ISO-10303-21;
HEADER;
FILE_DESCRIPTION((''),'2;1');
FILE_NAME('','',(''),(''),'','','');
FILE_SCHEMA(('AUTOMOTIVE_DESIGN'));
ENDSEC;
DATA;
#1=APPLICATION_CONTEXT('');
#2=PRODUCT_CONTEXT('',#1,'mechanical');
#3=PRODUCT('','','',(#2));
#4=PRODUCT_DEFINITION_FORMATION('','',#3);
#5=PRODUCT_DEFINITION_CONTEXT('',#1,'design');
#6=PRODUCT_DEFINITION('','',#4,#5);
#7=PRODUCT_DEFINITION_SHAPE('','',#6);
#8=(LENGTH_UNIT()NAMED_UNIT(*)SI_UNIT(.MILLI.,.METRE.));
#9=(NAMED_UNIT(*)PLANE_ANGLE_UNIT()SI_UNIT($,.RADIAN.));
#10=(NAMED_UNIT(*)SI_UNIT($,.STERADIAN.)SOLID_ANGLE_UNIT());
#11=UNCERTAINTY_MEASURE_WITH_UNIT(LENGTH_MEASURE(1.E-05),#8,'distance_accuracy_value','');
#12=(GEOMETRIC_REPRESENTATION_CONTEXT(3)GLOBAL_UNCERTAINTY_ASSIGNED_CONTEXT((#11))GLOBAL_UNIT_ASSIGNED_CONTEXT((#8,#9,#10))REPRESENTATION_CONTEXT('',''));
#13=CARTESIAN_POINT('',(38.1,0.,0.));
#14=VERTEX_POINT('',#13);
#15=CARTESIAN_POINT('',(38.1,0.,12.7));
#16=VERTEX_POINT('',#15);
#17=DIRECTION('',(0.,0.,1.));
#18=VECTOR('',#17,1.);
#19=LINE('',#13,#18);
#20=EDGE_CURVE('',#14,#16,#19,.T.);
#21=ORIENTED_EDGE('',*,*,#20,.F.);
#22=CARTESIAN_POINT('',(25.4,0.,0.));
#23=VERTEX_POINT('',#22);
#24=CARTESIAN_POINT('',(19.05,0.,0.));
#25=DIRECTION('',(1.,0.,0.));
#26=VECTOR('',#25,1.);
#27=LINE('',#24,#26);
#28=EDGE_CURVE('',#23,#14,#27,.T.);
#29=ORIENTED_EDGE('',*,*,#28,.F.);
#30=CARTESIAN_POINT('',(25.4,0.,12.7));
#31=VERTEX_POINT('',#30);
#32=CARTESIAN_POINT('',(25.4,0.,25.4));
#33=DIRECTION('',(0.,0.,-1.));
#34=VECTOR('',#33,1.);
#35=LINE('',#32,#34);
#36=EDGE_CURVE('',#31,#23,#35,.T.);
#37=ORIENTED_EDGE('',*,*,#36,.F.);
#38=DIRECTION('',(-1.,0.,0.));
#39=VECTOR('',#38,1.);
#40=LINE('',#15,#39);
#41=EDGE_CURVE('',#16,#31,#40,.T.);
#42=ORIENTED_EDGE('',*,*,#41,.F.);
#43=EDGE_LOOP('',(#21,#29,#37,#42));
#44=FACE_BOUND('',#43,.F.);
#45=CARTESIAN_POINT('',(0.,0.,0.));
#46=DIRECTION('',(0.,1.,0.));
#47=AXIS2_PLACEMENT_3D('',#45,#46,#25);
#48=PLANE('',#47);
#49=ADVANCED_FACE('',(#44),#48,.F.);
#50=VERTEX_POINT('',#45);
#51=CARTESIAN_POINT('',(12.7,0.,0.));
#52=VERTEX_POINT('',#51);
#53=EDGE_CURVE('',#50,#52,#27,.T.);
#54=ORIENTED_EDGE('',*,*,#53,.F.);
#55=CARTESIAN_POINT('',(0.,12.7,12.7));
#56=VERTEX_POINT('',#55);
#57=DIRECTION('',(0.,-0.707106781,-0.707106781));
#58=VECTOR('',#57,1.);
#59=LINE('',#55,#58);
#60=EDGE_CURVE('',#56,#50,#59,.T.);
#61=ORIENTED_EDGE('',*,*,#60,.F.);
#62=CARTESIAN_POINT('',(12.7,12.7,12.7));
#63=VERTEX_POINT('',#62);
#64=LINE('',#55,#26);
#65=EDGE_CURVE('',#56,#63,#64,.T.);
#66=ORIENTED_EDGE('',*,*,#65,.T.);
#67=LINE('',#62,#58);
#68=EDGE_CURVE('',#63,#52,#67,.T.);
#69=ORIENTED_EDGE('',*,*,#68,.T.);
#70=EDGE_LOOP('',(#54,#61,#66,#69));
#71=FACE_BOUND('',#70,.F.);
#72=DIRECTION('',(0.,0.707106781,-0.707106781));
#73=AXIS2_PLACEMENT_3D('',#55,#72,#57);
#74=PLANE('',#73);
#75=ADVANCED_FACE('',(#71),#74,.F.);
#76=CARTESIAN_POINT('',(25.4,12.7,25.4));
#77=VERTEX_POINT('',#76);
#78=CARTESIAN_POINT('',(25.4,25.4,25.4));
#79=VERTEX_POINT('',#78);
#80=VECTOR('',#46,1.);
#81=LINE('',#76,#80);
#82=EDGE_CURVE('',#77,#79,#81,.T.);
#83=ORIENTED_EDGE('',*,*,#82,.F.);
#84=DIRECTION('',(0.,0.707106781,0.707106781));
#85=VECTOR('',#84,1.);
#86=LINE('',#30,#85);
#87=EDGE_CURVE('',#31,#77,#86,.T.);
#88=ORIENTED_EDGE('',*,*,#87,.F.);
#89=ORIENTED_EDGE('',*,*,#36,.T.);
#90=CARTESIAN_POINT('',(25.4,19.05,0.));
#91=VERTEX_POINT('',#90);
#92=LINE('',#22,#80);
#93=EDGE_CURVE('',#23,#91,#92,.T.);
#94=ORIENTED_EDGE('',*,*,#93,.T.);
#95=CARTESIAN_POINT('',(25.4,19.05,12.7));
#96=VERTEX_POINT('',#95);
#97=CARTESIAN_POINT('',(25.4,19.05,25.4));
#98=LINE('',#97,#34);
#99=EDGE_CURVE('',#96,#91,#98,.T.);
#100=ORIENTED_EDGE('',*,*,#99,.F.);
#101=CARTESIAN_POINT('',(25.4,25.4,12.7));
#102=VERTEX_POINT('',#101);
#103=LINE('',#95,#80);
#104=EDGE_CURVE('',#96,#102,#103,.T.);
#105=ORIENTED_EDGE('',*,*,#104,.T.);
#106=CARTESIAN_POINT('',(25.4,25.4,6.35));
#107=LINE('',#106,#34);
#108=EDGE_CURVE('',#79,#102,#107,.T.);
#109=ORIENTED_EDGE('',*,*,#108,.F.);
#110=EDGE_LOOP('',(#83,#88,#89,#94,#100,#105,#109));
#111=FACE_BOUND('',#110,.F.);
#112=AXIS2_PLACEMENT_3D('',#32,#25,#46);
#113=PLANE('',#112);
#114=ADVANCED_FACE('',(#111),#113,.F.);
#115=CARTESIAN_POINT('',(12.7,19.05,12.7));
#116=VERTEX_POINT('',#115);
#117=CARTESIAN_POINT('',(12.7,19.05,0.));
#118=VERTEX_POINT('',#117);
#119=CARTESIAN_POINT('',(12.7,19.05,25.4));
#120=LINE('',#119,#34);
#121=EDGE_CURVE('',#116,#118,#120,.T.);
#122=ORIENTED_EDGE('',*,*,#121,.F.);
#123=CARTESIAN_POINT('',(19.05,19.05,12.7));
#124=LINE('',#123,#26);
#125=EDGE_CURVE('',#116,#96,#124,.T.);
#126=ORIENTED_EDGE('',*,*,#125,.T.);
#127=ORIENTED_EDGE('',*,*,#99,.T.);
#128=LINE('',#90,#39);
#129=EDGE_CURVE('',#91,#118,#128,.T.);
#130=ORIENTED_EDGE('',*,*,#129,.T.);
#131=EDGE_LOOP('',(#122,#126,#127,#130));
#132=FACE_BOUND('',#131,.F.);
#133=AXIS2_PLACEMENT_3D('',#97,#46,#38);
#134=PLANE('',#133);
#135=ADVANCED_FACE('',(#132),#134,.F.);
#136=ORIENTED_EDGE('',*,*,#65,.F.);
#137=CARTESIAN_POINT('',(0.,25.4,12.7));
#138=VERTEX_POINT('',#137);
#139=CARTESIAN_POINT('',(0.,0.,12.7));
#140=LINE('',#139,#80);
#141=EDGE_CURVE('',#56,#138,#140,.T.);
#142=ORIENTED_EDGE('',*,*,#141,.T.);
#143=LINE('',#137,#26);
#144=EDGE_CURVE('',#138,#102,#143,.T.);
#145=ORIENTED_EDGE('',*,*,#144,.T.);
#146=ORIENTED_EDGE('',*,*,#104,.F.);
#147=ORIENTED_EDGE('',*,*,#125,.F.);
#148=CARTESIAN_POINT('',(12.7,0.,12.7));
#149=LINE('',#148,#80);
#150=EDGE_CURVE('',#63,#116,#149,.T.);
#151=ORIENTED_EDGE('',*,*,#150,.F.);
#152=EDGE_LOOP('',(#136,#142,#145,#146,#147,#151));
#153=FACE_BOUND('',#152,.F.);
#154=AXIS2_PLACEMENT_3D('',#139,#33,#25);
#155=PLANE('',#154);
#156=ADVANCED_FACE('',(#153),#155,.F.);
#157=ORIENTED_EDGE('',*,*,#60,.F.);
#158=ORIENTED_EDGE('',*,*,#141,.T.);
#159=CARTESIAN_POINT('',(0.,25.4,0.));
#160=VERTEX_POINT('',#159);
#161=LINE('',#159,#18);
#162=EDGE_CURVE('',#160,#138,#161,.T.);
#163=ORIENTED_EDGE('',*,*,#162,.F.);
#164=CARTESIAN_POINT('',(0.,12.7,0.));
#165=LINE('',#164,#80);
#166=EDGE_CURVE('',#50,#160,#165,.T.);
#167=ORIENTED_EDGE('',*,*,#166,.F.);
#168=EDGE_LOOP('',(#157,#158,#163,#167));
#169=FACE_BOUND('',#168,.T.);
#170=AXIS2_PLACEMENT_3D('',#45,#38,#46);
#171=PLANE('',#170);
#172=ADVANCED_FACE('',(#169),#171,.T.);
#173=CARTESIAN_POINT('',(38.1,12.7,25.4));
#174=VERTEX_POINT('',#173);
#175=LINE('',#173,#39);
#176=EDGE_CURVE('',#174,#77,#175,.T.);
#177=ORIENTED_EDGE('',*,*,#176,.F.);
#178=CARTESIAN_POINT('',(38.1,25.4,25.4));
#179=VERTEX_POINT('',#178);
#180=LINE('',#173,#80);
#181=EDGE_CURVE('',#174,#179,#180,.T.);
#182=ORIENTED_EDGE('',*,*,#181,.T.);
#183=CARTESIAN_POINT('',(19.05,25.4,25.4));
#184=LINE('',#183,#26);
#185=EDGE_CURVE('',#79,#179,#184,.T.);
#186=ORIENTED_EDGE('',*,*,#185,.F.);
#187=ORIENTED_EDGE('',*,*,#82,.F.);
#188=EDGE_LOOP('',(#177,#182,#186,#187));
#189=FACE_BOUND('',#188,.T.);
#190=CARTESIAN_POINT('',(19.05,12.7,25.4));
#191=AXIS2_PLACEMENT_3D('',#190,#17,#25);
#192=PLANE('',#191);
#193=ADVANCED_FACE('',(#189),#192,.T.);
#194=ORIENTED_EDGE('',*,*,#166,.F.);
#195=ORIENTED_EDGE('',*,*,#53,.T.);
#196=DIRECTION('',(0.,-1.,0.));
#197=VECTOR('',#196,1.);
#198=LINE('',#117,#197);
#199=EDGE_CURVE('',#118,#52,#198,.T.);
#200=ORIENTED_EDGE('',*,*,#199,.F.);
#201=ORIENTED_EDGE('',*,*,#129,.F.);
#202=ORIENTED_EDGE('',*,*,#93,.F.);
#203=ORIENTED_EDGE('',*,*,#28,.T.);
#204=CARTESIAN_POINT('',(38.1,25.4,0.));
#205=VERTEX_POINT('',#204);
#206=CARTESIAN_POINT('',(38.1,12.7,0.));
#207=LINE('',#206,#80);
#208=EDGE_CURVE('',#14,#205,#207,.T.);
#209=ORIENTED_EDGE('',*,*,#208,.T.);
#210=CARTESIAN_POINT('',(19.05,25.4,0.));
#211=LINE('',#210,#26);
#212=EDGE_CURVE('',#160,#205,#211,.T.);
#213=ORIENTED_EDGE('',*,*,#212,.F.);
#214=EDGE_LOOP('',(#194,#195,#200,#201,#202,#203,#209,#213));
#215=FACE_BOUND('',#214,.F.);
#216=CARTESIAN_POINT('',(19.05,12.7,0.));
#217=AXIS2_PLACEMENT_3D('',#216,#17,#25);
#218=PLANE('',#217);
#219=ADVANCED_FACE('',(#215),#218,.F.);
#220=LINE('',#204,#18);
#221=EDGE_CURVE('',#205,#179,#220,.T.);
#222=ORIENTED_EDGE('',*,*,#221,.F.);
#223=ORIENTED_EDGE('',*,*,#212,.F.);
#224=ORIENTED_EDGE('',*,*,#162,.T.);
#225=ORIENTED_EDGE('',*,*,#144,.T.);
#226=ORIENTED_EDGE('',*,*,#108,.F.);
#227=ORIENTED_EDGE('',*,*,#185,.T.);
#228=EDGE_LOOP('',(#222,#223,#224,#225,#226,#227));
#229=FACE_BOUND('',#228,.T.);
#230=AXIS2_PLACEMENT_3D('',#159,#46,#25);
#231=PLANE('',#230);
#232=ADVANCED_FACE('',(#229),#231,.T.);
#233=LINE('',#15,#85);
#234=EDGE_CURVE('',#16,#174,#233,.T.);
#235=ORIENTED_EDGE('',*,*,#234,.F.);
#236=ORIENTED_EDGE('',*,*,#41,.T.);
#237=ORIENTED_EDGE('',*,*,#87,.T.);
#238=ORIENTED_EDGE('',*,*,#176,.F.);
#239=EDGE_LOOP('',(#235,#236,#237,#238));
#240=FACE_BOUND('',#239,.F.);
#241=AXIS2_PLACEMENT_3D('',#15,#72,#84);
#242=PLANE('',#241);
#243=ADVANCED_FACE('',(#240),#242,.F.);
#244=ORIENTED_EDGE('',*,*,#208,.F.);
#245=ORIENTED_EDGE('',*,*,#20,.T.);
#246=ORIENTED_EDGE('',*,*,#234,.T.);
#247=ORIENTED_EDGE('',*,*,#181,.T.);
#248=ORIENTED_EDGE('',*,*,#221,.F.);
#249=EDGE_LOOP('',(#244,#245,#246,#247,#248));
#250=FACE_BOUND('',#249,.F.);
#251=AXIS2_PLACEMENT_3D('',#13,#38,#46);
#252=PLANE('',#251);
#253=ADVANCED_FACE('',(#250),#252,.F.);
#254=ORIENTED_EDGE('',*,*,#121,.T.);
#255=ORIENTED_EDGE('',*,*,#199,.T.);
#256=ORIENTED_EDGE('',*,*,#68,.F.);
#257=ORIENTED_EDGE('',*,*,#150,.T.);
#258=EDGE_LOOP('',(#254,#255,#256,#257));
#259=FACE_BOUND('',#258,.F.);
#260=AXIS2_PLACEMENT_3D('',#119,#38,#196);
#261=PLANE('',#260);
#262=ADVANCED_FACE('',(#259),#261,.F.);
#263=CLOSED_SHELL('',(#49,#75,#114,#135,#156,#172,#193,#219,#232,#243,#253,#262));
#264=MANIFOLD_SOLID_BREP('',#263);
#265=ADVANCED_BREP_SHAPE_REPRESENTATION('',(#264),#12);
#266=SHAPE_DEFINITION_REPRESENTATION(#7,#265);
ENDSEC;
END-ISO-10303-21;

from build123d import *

# Parameters (mm, degrees)
F0_W      = 38.1
F0_H      = 25.4
F1_DEPTH  = 25.4
F3_DEPTH  = 12.7
F5_DEPTH  = 25.4
F6_W      = 12.7
F6_H      = 12.7
F7_DEPTH  = 25.4
F8_W      = 12.7
F8_H      = 12.7
F9_DEPTH  = 12.7
F11_DEPTH = 12.7


with BuildPart() as f1:
    # F0 (on Top) → F1 (new body)
    with BuildSketch(Plane.XY):
        with Locations((19.05, 12.7)):
            Rectangle(F0_W, F0_H)
    extrude(amount=F1_DEPTH)

    # F2 (on face) → F3 (cut)
    with BuildSketch(Plane.YZ.offset(38.1)):
        Polygon((12.7, 25.4), (0, 25.4), (0, 12.7), align=None)
    extrude(amount=-F3_DEPTH, mode=Mode.SUBTRACT)

    # F4 (on face) → F5 (cut)
    with BuildSketch(Plane.XY.offset(25.4)):
        Polygon((12.7, 0), (25.4, 0), (25.4, 12.7), (25.4, 19.05), (12.7, 19.05), align=None)
    extrude(amount=-F5_DEPTH, mode=Mode.SUBTRACT)

    # F6 (on face) → F7 (cut)
    with BuildSketch(Plane.XZ):
        with Locations((6.35, 19.05)):
            Rectangle(F6_W, F6_H)
    extrude(amount=-F7_DEPTH, mode=Mode.SUBTRACT)

    # F8 (on face) → F9 (cut)
    with BuildSketch(Plane.XZ.offset(-19.05)):
        with Locations((19.05, 19.05)):
            Rectangle(F8_W, F8_H)
    extrude(amount=-F9_DEPTH, mode=Mode.SUBTRACT)

    # F10 (on face) → F11 (cut)
    with BuildSketch(Plane(origin=(0, 0, 0), x_dir=(0, -1, 0), z_dir=(-1, 0, 0))):
        Polygon((0, 0), (0, 12.7), (-12.7, 12.7), align=None)
    extrude(amount=-F11_DEPTH, mode=Mode.SUBTRACT)


solid = f1.part
